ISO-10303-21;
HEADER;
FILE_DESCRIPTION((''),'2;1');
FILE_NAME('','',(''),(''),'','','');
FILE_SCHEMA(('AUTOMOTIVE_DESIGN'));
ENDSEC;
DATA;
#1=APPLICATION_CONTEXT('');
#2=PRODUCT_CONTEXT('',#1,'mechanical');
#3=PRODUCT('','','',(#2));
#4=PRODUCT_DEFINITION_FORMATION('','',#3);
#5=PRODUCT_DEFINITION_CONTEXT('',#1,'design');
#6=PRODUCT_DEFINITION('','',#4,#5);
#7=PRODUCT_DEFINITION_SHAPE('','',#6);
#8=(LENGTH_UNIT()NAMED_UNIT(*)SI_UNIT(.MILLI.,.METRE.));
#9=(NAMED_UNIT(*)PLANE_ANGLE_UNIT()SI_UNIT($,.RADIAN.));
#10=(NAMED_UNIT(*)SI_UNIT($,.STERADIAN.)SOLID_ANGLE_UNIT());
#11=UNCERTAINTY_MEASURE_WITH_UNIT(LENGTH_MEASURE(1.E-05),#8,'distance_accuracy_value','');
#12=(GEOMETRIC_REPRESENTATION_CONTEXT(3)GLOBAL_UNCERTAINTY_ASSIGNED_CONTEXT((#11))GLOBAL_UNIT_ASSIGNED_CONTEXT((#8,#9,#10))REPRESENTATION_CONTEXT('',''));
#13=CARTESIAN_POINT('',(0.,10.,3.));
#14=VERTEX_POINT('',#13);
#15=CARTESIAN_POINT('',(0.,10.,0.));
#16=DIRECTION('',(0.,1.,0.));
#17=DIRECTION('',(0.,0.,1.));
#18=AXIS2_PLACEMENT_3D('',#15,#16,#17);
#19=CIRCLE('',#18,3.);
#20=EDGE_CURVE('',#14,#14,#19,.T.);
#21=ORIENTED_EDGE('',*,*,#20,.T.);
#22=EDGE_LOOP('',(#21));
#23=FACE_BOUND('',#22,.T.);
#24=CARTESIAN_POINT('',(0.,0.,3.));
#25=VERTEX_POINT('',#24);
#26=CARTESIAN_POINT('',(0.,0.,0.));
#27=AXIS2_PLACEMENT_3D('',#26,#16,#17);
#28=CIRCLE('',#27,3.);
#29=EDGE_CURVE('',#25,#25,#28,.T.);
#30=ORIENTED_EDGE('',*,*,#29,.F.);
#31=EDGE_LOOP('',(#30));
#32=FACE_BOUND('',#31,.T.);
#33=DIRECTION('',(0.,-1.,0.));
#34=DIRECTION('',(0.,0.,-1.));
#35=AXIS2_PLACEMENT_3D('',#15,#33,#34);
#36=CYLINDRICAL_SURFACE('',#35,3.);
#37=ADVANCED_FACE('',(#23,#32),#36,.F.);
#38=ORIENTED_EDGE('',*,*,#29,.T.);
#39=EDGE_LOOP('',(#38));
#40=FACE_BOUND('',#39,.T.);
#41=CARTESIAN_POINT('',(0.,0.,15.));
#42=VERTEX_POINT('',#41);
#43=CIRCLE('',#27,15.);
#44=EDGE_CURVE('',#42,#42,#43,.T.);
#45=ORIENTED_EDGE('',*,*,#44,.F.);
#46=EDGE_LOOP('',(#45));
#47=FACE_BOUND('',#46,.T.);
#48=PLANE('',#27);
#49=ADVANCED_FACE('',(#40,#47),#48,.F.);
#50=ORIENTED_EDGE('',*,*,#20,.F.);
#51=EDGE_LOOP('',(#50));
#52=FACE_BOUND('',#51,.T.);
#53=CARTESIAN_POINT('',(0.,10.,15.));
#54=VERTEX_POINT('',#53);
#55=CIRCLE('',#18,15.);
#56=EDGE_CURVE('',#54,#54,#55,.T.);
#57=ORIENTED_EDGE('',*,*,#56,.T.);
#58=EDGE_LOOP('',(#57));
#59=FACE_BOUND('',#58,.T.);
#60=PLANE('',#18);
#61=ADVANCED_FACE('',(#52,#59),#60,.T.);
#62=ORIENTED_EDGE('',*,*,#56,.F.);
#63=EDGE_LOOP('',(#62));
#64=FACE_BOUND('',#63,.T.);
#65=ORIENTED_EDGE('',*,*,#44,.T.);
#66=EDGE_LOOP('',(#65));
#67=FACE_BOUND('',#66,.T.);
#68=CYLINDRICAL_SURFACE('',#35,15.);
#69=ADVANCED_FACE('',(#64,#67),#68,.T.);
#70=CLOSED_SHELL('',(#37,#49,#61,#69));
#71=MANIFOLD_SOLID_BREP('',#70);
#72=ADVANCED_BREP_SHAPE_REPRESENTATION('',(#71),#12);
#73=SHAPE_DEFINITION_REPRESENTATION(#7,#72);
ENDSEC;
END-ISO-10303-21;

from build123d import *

# Parameters (mm, degrees)
SKETCH_1_R      = 15
SKETCH_1_R_2    = 3
EXTRUDE_1_DEPTH = 10


with BuildPart() as part:
    # 草图1 → 凸台-拉伸1 (new body)
    with BuildSketch(Plane(origin=(0, 0, 0), x_dir=(1, 0, 0), z_dir=(0, 1, 0))):
        Circle(SKETCH_1_R)
        Circle(SKETCH_1_R_2, mode=Mode.SUBTRACT)
    extrude(amount=EXTRUDE_1_DEPTH)


solid = part.part
